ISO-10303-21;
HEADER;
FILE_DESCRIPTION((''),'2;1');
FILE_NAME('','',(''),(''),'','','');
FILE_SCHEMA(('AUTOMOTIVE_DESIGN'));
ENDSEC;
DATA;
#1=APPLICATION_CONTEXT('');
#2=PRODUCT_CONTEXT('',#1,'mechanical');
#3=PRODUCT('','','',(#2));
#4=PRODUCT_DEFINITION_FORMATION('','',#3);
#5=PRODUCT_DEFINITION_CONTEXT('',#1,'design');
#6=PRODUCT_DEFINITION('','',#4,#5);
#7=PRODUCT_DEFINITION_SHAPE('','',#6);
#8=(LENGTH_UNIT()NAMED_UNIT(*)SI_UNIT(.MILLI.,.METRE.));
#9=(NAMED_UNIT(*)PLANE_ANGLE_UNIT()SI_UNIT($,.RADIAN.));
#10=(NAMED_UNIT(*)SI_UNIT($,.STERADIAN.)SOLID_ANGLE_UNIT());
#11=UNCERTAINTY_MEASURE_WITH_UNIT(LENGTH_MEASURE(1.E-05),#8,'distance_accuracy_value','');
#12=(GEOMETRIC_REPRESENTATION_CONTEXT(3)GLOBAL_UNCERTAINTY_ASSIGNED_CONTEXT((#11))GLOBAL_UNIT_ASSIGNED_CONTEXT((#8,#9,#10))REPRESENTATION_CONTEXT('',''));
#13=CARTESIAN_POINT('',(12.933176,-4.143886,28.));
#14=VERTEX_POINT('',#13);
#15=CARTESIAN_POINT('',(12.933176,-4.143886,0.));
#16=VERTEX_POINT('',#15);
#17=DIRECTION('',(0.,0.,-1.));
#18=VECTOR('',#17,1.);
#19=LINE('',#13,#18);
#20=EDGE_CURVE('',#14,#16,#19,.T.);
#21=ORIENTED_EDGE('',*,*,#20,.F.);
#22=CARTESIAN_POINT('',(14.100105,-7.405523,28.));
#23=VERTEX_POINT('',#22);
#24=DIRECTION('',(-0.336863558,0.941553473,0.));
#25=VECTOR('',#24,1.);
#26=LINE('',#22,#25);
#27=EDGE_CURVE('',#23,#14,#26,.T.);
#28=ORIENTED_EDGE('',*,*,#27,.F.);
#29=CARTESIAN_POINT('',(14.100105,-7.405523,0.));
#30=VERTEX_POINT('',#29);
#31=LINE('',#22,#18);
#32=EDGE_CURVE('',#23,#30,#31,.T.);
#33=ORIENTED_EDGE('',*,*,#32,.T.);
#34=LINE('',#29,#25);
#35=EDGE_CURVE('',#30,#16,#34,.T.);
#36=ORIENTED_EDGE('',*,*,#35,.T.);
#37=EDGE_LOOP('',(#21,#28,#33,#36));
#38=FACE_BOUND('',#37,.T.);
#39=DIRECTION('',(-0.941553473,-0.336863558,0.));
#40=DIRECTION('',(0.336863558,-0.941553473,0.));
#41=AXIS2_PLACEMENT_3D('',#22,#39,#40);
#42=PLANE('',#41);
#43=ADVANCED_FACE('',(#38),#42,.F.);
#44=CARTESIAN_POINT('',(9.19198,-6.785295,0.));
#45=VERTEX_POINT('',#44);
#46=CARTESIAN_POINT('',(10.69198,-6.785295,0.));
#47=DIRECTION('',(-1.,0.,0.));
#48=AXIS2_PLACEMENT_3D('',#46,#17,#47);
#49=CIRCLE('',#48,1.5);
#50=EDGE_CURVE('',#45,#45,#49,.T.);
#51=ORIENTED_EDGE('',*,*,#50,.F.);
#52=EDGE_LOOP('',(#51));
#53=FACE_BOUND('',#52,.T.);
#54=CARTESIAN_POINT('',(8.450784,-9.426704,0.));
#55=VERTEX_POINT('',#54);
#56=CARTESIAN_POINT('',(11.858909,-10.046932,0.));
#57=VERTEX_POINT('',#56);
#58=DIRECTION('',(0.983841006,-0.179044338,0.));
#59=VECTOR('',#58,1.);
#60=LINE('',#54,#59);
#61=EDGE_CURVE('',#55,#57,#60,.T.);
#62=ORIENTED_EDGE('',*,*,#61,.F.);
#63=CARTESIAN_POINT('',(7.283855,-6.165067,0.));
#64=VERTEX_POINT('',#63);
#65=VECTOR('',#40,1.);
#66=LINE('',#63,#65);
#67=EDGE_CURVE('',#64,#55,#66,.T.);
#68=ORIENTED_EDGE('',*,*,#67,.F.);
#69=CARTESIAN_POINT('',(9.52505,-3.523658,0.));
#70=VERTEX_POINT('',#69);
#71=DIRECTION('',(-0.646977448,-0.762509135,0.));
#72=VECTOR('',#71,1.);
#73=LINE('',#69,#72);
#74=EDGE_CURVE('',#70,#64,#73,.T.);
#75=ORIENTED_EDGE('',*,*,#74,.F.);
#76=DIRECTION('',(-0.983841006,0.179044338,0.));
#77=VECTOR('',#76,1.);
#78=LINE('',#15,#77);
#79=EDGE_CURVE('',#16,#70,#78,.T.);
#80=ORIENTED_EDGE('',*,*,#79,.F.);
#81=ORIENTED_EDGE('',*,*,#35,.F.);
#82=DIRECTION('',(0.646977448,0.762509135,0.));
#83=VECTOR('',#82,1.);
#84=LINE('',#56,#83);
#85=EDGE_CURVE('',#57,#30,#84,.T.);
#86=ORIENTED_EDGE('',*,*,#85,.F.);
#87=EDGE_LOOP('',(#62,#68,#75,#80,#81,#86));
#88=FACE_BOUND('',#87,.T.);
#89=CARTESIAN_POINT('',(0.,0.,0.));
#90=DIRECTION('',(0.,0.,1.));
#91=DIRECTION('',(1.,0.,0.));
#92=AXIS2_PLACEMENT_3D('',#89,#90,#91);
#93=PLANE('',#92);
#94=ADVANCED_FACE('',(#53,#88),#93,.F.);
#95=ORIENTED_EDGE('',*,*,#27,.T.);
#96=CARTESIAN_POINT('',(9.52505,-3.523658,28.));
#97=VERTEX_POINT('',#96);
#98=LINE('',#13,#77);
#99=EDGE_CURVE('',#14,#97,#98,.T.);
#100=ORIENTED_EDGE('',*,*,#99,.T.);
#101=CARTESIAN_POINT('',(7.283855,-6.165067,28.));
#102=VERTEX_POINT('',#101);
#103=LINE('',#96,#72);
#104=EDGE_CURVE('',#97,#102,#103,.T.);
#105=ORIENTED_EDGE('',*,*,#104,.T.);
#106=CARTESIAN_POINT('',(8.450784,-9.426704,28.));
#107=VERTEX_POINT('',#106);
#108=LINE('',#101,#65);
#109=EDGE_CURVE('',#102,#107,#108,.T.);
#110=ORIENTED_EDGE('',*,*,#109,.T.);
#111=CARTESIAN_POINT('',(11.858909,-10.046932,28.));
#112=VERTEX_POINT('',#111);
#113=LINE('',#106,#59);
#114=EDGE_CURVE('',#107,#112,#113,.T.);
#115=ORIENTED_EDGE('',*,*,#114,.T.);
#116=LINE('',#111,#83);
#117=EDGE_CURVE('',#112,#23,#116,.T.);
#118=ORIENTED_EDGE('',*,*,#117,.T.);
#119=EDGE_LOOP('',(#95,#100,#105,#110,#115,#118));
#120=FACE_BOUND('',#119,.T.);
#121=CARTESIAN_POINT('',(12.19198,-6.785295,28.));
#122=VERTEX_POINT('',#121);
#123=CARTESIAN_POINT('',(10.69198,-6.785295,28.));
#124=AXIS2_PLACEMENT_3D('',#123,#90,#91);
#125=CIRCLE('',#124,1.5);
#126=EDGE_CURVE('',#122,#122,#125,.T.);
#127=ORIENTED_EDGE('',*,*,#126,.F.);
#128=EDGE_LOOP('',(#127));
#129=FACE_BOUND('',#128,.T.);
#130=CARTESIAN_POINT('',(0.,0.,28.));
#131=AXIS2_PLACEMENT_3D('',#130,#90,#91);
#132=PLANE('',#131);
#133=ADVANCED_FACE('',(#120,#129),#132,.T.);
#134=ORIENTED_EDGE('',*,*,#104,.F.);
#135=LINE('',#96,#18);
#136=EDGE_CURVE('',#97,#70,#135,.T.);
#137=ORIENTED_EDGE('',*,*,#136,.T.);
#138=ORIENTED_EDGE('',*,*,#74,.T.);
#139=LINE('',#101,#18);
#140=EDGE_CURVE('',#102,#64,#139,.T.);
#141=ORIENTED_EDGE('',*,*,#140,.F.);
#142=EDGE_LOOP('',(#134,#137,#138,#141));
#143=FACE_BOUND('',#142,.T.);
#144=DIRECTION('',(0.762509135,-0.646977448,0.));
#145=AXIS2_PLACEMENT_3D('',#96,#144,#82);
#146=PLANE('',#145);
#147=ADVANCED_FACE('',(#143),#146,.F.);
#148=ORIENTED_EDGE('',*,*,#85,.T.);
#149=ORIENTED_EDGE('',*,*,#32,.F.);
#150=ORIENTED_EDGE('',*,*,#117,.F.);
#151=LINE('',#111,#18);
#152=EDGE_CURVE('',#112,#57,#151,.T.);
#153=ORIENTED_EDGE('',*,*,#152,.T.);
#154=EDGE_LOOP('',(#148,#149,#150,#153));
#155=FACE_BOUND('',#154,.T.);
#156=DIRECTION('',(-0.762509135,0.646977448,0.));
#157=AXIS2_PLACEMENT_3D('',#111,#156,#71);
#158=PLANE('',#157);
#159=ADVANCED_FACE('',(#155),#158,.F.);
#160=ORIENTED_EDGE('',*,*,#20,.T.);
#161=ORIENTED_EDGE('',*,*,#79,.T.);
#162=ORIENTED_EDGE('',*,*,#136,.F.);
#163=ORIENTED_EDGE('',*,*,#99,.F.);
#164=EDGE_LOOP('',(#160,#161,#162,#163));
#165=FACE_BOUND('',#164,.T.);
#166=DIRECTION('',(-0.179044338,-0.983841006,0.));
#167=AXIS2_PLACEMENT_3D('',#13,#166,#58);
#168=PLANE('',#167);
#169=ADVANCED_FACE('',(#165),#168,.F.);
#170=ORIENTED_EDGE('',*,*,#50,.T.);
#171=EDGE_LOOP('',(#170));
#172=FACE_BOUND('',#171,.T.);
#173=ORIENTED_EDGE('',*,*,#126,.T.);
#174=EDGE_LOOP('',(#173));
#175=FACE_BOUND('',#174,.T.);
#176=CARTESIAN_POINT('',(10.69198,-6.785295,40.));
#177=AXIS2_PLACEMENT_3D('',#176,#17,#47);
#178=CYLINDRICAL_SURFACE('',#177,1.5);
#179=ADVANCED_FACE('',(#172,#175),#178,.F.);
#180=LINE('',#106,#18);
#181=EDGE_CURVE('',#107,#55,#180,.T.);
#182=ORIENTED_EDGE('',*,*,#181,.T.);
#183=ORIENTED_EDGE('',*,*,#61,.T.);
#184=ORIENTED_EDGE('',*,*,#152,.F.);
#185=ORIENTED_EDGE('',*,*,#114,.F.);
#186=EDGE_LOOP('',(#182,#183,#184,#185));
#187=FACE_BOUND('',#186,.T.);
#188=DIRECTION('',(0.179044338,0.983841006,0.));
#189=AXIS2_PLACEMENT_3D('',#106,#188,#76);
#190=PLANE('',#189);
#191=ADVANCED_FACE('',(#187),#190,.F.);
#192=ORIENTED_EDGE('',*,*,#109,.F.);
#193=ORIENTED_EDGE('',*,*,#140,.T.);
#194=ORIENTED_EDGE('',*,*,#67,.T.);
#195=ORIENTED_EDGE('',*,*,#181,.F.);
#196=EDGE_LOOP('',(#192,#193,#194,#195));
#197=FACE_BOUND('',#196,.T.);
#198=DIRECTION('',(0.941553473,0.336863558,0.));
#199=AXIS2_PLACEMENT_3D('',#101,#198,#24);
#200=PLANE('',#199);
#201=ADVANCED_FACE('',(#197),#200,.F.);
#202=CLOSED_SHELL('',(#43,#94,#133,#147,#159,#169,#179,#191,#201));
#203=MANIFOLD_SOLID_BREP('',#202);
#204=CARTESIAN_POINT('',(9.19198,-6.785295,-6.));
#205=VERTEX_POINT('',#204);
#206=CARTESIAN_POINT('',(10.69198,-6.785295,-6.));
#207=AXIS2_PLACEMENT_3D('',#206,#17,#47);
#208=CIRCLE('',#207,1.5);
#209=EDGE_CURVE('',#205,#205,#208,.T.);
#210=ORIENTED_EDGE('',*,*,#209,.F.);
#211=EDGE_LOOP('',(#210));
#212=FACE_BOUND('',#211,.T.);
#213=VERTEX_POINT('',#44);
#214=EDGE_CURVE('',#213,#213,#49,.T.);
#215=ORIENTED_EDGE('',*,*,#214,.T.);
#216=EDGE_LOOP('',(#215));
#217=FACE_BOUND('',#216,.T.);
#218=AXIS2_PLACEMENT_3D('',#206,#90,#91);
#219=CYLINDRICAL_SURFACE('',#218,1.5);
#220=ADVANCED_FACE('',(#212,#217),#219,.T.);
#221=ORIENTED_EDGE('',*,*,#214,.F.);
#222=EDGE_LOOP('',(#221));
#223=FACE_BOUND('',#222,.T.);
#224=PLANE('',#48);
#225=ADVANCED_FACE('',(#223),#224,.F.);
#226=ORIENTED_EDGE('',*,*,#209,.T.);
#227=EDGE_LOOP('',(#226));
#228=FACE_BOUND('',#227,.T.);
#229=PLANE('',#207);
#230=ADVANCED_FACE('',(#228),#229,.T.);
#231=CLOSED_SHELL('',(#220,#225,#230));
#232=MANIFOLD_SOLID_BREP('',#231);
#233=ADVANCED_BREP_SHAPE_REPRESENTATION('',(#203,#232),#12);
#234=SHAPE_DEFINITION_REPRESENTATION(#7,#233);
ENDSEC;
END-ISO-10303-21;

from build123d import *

# Parameters (mm, degrees)
RESSALTO_EXTRUS_O1_DEPTH = 28
ESBO_O4_R                = 1.5
CORTE_EXTRUS_O2_DEPTH    = 40
ESBO_O6_R                = 1.5
RESSALTO_EXTRUS_O2_DEPTH = 6


with BuildPart() as part:
    # Esboço1 → Ressalto-extrusão1 (new body)
    with BuildSketch(Plane.XY):
        Polygon((12.933175524, -4.143885809), (9.525050306, -3.523658029), (7.283854683, -6.165067156), (8.450784277, -9.426704064), (11.858909495, -10.046931845), (14.100105118, -7.405522718), align=None)
    extrude(amount=RESSALTO_EXTRUS_O1_DEPTH)

    # Esboço4 → Corte-extrusão2 (cut)
    with BuildSketch(Plane(origin=(0, 0, 0), x_dir=(-1, 0, 0), z_dir=(0, 0, -1))):
        with Locations((-10.691979901, -6.785294937)):
            Circle(ESBO_O4_R)
    extrude(amount=-CORTE_EXTRUS_O2_DEPTH, mode=Mode.SUBTRACT)


with BuildPart() as body_2:
    # Esboço6 → Ressalto-extrusão2 (new body)
    with BuildSketch(Plane(origin=(0, 0, 0), x_dir=(-1, 0, 0), z_dir=(0, 0, -1))):
        with Locations((-10.691979901, -6.785294937)):
            Circle(ESBO_O6_R)
    extrude(amount=RESSALTO_EXTRUS_O2_DEPTH)


solid = Compound([part.part, body_2.part])
